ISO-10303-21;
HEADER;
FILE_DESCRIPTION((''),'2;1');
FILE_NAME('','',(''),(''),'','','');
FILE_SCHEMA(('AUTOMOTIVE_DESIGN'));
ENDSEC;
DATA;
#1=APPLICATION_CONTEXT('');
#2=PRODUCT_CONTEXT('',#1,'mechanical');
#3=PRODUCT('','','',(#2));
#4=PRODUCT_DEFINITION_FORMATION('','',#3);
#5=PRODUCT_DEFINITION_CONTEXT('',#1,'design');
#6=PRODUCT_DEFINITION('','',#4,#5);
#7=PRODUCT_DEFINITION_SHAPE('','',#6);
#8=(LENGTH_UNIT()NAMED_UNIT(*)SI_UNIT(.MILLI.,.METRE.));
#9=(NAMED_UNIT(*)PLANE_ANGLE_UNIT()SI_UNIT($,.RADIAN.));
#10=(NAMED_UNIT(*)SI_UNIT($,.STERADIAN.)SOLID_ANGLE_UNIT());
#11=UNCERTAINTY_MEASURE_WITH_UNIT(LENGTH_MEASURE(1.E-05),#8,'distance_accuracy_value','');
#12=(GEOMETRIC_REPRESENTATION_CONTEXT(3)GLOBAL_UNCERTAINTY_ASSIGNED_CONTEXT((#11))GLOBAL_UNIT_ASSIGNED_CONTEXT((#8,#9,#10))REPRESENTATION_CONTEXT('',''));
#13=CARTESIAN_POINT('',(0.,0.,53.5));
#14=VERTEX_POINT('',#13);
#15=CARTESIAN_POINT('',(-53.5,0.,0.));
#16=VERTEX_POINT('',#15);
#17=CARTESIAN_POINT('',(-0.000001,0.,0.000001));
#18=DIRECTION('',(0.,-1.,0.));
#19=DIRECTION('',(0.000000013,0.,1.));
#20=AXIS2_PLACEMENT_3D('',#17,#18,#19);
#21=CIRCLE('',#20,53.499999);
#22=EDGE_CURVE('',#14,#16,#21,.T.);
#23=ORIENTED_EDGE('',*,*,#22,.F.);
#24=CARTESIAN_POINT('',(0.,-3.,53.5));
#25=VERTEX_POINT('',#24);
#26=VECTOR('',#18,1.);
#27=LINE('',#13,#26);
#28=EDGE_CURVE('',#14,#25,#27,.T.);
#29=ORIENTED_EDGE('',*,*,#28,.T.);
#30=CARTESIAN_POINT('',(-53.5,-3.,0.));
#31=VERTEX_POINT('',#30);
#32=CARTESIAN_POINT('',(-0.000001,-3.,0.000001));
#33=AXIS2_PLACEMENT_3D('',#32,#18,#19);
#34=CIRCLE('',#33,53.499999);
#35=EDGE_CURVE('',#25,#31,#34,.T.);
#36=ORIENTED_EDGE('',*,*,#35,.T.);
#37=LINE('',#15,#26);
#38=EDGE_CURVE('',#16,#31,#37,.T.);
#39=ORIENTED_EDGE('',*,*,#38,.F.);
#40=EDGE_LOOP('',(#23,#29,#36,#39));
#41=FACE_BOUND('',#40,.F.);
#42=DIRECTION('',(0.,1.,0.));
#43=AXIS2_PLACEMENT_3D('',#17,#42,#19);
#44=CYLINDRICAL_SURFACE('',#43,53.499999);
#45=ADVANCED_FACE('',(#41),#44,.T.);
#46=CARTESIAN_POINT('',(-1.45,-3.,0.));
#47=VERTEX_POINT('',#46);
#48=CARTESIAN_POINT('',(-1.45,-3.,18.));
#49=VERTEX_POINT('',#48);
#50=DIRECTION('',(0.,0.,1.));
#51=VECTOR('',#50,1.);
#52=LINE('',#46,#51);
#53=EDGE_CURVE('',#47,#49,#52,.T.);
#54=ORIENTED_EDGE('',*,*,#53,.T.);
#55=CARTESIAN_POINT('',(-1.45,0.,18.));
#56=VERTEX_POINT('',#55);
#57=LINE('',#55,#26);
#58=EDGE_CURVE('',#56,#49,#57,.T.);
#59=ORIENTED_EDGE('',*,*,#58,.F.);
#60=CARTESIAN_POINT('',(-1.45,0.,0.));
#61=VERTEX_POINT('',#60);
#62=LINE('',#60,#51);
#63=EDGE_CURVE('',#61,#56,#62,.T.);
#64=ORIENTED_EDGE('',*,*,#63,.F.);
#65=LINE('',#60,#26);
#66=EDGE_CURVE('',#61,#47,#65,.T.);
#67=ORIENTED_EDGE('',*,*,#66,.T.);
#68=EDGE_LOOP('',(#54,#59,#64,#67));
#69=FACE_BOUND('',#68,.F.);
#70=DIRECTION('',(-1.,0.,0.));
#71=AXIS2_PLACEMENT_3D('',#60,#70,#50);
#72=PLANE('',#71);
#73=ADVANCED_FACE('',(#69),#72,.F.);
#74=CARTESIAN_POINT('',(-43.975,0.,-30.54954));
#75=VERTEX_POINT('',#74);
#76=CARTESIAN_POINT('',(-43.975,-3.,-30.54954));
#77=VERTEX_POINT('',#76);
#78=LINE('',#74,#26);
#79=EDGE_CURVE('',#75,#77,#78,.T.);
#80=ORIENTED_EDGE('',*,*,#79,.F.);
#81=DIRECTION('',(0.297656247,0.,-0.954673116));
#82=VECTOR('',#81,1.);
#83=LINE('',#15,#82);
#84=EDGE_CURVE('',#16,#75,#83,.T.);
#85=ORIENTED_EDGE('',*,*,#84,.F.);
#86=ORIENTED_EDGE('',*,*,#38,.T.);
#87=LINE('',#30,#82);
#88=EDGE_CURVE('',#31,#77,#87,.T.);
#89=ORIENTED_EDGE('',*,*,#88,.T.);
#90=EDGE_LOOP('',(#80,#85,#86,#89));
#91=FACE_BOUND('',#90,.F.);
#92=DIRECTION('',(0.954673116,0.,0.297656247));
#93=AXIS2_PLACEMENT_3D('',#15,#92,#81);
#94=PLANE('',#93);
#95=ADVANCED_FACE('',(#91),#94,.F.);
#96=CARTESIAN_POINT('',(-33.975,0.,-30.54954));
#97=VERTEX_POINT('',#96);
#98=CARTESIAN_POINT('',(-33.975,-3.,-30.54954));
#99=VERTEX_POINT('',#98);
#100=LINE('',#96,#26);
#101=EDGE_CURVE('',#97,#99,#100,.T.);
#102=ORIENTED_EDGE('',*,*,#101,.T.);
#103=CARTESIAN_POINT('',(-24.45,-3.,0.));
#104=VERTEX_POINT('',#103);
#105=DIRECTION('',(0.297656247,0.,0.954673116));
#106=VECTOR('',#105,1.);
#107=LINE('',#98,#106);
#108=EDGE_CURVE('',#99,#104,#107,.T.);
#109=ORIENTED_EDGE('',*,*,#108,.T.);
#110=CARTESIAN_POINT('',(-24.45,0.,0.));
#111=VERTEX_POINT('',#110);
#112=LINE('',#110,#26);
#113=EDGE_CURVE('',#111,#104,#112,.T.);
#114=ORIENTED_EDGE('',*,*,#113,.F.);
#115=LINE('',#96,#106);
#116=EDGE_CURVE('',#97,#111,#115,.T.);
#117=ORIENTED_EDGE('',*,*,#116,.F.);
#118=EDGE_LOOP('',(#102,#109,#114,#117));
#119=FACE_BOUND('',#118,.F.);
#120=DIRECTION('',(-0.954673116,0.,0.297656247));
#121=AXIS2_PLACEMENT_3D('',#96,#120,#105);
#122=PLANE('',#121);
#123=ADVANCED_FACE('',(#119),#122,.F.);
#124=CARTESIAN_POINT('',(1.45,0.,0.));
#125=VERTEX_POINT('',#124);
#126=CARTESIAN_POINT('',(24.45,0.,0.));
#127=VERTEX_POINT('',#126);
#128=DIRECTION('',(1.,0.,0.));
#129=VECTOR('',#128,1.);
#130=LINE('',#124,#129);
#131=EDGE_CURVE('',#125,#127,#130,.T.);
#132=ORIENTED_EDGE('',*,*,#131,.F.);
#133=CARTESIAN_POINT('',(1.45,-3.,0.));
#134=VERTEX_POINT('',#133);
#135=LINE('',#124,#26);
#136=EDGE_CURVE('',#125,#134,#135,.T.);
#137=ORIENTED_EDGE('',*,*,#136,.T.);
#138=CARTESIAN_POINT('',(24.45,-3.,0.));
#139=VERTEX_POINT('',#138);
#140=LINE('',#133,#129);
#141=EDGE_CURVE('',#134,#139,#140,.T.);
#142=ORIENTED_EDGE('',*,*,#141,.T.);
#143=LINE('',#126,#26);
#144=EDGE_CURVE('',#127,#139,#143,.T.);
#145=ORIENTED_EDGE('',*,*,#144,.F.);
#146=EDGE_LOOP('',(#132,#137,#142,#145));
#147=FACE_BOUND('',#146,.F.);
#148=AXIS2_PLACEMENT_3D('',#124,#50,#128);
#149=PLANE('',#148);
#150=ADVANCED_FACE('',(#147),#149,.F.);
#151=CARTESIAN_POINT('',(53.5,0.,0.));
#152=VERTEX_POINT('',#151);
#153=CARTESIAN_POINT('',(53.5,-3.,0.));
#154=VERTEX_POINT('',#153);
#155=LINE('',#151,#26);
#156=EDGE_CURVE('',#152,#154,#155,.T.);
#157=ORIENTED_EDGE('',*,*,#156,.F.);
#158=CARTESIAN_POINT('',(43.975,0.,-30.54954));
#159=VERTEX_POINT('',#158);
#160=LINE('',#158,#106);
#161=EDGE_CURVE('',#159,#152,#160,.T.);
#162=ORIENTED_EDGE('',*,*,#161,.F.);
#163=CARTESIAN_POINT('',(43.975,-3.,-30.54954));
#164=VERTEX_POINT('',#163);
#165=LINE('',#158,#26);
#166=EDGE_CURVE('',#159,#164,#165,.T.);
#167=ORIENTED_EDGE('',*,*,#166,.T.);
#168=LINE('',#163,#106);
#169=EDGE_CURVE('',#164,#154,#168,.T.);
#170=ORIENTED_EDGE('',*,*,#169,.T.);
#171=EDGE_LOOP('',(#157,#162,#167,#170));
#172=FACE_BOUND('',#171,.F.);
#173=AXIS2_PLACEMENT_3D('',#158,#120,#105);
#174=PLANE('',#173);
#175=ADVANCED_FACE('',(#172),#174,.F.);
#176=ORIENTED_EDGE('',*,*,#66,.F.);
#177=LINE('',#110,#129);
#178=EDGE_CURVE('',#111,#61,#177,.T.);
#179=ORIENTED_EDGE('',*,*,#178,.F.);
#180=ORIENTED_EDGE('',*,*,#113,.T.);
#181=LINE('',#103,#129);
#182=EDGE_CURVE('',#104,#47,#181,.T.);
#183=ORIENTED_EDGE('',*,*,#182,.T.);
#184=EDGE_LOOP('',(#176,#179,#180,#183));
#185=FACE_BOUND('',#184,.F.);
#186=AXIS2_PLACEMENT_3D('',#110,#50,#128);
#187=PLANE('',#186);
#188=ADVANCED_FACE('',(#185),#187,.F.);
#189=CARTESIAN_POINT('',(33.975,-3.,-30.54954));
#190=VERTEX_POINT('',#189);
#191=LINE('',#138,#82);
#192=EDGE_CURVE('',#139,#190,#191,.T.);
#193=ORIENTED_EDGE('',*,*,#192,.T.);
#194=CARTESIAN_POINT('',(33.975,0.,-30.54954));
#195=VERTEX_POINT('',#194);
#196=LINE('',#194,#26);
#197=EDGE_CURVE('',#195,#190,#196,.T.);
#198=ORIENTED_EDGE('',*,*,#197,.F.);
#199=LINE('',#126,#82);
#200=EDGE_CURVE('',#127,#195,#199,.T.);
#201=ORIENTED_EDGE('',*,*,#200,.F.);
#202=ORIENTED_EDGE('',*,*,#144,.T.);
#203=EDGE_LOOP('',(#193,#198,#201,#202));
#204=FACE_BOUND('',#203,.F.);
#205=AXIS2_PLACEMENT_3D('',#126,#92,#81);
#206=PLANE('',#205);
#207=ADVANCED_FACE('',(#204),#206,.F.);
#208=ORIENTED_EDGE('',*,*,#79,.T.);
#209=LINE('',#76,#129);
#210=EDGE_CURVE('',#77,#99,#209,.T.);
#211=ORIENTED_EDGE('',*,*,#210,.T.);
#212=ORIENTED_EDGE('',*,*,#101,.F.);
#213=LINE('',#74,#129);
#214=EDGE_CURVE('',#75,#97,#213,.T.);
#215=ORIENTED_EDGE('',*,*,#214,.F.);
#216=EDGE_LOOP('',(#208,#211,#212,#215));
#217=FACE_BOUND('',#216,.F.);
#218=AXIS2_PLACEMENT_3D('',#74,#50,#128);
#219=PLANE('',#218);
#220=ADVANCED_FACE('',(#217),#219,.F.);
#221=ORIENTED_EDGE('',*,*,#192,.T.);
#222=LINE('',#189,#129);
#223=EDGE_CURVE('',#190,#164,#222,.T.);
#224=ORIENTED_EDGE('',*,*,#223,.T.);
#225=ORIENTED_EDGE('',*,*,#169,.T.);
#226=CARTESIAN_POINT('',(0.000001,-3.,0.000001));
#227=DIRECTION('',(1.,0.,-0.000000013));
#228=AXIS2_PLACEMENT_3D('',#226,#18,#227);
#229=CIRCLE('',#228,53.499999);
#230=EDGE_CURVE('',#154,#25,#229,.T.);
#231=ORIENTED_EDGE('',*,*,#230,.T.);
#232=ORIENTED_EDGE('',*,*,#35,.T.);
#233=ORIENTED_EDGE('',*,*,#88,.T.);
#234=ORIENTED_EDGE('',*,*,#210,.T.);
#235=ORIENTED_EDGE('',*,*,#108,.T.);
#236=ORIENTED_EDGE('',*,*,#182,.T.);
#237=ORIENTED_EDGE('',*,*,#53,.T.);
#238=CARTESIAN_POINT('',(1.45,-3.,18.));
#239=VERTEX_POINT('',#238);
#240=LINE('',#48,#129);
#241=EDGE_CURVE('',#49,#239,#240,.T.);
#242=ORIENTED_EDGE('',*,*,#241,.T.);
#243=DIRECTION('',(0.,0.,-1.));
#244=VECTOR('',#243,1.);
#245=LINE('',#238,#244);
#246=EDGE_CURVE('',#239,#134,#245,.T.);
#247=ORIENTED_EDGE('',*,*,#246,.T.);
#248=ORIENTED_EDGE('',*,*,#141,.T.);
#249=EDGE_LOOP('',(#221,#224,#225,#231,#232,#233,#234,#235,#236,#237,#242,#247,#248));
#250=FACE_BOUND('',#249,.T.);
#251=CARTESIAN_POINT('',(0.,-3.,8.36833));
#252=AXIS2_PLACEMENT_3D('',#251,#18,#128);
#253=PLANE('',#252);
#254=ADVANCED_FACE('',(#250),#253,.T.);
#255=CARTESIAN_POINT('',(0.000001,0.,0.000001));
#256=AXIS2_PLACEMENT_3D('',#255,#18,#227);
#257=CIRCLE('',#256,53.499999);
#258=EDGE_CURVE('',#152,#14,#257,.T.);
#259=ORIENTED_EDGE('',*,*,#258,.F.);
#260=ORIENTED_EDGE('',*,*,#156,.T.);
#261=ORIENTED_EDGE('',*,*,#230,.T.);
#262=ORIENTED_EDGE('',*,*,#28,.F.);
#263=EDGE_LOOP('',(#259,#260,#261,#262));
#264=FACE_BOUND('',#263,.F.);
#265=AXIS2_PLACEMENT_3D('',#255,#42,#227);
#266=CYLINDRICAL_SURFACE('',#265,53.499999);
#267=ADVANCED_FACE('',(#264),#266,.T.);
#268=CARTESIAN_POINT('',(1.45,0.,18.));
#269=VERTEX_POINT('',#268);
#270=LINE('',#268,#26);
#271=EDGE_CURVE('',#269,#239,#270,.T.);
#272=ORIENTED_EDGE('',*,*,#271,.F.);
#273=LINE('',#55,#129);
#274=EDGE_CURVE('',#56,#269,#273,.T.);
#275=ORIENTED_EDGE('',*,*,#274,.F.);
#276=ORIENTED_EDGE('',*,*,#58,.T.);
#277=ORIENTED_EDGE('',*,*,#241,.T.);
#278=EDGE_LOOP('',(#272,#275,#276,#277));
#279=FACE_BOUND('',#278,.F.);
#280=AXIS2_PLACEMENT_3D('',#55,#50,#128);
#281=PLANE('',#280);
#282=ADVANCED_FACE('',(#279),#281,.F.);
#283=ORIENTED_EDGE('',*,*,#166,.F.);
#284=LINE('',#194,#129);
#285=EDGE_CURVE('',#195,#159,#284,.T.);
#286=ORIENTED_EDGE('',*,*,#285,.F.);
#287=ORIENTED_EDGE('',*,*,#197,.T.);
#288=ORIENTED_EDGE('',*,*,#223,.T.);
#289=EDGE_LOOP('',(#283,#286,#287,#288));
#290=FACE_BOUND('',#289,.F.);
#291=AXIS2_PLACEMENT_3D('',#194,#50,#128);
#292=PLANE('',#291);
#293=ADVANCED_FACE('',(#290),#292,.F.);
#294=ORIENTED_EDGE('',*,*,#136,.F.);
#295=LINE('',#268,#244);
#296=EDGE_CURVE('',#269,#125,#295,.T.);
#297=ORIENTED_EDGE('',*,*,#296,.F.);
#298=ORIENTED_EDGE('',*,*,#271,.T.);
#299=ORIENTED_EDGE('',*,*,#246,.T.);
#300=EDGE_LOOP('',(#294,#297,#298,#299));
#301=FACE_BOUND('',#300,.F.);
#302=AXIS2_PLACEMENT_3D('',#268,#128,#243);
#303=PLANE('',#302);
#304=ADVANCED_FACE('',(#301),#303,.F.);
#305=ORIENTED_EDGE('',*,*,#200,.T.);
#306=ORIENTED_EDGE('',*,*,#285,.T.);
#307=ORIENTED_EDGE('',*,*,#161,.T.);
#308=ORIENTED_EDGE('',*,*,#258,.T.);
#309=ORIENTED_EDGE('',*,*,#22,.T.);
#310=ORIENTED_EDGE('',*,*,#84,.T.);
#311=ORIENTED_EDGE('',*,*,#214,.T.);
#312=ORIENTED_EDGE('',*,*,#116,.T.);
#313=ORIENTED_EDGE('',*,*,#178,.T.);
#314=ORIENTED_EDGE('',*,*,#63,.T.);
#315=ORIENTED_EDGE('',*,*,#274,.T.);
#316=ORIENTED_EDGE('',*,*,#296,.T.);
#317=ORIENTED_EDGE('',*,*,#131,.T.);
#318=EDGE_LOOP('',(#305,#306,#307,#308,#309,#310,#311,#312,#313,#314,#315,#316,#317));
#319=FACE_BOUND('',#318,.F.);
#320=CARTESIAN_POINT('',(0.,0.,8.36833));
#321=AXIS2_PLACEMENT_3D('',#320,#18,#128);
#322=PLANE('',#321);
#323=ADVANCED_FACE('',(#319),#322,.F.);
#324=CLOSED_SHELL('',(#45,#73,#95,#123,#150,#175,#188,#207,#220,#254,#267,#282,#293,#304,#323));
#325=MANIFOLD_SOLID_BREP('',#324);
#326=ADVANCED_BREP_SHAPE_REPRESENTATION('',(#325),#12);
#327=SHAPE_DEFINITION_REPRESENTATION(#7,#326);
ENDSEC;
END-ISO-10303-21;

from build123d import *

# Parameters (mm, degrees)
F1_DEPTH = 3


with BuildPart() as f1:
    # F0 (on Front) → F1 (new body)
    with BuildSketch(Plane.XZ):
        with BuildLine():
            Line((43.975, -30.54954), (53.5, 0))
            ThreePointArc((53.5, 0), (37.830213, 37.830213), (0, 53.5))
            ThreePointArc((0, 53.5), (-37.830213, 37.830213), (-53.5, 0))
            Line((-53.5, 0), (-43.975, -30.54954))
            Line((-43.975, -30.54954), (-33.975, -30.54954))
            Line((-33.975, -30.54954), (-24.45, 0))
            Line((-24.45, 0), (-1.45, 0))
            Line((-1.45, 0), (-1.45, 18))
            Line((-1.45, 18), (0, 18))
            Line((0, 18), (1.45, 18))
            Line((1.45, 18), (1.45, 0))
            Line((1.45, 0), (24.45, 0))
            Line((24.45, 0), (33.975, -30.54954))
            Line((33.975, -30.54954), (43.975, -30.54954))
        make_face()
    extrude(amount=F1_DEPTH)


solid = f1.part
